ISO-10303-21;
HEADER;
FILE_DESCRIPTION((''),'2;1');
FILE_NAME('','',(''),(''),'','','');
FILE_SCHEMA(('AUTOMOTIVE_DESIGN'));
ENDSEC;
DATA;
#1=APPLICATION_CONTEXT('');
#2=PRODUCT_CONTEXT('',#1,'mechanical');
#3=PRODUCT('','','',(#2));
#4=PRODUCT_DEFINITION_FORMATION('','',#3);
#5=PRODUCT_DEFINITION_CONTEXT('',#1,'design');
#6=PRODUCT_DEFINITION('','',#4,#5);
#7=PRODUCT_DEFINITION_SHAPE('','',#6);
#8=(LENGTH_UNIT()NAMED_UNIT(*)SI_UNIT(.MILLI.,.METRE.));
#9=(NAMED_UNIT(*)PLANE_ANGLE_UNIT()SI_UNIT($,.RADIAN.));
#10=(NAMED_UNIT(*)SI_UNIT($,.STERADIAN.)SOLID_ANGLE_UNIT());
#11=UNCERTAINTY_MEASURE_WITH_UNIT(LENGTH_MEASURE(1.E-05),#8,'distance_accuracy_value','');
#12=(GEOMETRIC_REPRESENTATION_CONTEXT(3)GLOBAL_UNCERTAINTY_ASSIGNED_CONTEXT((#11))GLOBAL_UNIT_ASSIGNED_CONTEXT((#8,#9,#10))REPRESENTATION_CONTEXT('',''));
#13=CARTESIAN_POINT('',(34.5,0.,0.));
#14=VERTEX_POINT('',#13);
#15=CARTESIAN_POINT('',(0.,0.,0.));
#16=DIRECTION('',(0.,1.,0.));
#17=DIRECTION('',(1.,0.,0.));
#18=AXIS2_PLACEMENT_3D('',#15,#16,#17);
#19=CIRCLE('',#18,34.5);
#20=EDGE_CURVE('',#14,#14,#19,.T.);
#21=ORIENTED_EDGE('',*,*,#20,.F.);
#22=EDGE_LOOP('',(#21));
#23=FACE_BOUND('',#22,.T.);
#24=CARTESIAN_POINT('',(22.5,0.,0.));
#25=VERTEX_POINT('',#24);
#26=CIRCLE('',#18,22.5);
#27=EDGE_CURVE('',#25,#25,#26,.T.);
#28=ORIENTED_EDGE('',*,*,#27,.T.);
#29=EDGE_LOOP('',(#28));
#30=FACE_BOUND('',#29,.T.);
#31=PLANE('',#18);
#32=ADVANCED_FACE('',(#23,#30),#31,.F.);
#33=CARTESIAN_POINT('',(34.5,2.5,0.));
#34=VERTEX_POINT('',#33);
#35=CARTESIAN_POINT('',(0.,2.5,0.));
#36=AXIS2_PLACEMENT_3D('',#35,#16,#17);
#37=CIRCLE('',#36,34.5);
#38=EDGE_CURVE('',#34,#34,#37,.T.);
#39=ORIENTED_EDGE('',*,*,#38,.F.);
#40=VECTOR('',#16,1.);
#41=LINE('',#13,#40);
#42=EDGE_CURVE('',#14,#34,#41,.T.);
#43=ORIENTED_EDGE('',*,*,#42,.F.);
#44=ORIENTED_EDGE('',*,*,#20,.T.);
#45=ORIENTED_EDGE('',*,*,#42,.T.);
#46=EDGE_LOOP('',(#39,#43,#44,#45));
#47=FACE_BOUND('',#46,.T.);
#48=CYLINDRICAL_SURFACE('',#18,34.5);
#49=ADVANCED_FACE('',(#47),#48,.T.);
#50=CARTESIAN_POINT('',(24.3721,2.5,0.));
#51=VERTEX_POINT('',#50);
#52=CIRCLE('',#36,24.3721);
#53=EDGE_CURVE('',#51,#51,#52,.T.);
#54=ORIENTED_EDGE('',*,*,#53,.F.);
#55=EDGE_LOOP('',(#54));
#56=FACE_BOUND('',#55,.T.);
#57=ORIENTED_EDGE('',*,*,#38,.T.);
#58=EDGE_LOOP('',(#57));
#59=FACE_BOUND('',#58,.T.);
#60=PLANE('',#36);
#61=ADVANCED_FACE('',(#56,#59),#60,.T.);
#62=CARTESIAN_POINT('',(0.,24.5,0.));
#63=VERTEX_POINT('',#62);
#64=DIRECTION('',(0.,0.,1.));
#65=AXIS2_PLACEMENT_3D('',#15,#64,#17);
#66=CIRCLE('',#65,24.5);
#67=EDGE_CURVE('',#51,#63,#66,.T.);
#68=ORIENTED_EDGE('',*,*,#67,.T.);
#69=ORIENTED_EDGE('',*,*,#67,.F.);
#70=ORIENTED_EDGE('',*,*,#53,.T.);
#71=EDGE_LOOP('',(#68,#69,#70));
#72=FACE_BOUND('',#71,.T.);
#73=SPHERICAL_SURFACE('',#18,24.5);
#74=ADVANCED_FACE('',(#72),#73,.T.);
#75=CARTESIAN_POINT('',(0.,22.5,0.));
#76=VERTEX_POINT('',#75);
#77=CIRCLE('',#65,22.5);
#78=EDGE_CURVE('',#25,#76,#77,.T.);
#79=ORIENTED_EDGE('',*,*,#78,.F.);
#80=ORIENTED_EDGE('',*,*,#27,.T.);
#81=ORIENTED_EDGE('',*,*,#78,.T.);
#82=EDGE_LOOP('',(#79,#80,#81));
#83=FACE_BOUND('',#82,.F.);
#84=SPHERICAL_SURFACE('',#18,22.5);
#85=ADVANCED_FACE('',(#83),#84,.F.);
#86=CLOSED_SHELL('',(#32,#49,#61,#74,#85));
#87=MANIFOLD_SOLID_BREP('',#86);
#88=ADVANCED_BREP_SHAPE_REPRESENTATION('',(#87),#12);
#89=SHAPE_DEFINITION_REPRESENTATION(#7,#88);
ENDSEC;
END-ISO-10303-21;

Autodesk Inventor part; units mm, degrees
ref_plane "YZ Plane" through (0, 0, 0) normal (1, 0, 0) x (0, 1, 0)
ref_plane "XZ Plane" through (0, 0, 0) normal (0, 1, 0) x (-1, 0, 0)
ref_plane "XY Plane" through (0, 0, 0) normal (0, 0, 1) x (1, 0, 0)
sketch "Sketch1" plane through (0, 0, 0) normal (0, 0, 1) x (1, 0, 0)
  line L0 (22.5, 0) -> (22.5, 0)
  line L1 (22.5, 0) -> (34.5, 0)
  line L2 (34.5, 0) -> (34.5, 2.5)
  line L3 (34.5, 2.5) -> (24.3721, 2.5)
  line L4 (0, 24.5) -> (0, 22.5)
  arc A0 (22.5, 0) -> (0, 22.5) centre (0, 0) ccw
  arc A1 (24.5, 0) -> (0, 24.5) centre (0, 0) ccw
  line L5 (0, -5.9148) -> (0, 35.4889) projected
  point P0 (0, 0)
  dimension "d11" = 22.5
  dimension "d12" = 22.5
  dimension "d13" = 24.5
  dimension "d14" = 2
  dimension "d15" = 2.5
  dimension "d16" = 0
  dimension "d17" = 2
  dimension "d18" = 12
revolve "Revolution1" add sketch "Sketch1" angle 360 about axis through (0, -10, 0) along (0, 1, 0)
equation "\"d12\" = d11"
equation "\"d13\" = d12 + d17"
equation "\"d14\" = d17"
properties part number "Dome"
